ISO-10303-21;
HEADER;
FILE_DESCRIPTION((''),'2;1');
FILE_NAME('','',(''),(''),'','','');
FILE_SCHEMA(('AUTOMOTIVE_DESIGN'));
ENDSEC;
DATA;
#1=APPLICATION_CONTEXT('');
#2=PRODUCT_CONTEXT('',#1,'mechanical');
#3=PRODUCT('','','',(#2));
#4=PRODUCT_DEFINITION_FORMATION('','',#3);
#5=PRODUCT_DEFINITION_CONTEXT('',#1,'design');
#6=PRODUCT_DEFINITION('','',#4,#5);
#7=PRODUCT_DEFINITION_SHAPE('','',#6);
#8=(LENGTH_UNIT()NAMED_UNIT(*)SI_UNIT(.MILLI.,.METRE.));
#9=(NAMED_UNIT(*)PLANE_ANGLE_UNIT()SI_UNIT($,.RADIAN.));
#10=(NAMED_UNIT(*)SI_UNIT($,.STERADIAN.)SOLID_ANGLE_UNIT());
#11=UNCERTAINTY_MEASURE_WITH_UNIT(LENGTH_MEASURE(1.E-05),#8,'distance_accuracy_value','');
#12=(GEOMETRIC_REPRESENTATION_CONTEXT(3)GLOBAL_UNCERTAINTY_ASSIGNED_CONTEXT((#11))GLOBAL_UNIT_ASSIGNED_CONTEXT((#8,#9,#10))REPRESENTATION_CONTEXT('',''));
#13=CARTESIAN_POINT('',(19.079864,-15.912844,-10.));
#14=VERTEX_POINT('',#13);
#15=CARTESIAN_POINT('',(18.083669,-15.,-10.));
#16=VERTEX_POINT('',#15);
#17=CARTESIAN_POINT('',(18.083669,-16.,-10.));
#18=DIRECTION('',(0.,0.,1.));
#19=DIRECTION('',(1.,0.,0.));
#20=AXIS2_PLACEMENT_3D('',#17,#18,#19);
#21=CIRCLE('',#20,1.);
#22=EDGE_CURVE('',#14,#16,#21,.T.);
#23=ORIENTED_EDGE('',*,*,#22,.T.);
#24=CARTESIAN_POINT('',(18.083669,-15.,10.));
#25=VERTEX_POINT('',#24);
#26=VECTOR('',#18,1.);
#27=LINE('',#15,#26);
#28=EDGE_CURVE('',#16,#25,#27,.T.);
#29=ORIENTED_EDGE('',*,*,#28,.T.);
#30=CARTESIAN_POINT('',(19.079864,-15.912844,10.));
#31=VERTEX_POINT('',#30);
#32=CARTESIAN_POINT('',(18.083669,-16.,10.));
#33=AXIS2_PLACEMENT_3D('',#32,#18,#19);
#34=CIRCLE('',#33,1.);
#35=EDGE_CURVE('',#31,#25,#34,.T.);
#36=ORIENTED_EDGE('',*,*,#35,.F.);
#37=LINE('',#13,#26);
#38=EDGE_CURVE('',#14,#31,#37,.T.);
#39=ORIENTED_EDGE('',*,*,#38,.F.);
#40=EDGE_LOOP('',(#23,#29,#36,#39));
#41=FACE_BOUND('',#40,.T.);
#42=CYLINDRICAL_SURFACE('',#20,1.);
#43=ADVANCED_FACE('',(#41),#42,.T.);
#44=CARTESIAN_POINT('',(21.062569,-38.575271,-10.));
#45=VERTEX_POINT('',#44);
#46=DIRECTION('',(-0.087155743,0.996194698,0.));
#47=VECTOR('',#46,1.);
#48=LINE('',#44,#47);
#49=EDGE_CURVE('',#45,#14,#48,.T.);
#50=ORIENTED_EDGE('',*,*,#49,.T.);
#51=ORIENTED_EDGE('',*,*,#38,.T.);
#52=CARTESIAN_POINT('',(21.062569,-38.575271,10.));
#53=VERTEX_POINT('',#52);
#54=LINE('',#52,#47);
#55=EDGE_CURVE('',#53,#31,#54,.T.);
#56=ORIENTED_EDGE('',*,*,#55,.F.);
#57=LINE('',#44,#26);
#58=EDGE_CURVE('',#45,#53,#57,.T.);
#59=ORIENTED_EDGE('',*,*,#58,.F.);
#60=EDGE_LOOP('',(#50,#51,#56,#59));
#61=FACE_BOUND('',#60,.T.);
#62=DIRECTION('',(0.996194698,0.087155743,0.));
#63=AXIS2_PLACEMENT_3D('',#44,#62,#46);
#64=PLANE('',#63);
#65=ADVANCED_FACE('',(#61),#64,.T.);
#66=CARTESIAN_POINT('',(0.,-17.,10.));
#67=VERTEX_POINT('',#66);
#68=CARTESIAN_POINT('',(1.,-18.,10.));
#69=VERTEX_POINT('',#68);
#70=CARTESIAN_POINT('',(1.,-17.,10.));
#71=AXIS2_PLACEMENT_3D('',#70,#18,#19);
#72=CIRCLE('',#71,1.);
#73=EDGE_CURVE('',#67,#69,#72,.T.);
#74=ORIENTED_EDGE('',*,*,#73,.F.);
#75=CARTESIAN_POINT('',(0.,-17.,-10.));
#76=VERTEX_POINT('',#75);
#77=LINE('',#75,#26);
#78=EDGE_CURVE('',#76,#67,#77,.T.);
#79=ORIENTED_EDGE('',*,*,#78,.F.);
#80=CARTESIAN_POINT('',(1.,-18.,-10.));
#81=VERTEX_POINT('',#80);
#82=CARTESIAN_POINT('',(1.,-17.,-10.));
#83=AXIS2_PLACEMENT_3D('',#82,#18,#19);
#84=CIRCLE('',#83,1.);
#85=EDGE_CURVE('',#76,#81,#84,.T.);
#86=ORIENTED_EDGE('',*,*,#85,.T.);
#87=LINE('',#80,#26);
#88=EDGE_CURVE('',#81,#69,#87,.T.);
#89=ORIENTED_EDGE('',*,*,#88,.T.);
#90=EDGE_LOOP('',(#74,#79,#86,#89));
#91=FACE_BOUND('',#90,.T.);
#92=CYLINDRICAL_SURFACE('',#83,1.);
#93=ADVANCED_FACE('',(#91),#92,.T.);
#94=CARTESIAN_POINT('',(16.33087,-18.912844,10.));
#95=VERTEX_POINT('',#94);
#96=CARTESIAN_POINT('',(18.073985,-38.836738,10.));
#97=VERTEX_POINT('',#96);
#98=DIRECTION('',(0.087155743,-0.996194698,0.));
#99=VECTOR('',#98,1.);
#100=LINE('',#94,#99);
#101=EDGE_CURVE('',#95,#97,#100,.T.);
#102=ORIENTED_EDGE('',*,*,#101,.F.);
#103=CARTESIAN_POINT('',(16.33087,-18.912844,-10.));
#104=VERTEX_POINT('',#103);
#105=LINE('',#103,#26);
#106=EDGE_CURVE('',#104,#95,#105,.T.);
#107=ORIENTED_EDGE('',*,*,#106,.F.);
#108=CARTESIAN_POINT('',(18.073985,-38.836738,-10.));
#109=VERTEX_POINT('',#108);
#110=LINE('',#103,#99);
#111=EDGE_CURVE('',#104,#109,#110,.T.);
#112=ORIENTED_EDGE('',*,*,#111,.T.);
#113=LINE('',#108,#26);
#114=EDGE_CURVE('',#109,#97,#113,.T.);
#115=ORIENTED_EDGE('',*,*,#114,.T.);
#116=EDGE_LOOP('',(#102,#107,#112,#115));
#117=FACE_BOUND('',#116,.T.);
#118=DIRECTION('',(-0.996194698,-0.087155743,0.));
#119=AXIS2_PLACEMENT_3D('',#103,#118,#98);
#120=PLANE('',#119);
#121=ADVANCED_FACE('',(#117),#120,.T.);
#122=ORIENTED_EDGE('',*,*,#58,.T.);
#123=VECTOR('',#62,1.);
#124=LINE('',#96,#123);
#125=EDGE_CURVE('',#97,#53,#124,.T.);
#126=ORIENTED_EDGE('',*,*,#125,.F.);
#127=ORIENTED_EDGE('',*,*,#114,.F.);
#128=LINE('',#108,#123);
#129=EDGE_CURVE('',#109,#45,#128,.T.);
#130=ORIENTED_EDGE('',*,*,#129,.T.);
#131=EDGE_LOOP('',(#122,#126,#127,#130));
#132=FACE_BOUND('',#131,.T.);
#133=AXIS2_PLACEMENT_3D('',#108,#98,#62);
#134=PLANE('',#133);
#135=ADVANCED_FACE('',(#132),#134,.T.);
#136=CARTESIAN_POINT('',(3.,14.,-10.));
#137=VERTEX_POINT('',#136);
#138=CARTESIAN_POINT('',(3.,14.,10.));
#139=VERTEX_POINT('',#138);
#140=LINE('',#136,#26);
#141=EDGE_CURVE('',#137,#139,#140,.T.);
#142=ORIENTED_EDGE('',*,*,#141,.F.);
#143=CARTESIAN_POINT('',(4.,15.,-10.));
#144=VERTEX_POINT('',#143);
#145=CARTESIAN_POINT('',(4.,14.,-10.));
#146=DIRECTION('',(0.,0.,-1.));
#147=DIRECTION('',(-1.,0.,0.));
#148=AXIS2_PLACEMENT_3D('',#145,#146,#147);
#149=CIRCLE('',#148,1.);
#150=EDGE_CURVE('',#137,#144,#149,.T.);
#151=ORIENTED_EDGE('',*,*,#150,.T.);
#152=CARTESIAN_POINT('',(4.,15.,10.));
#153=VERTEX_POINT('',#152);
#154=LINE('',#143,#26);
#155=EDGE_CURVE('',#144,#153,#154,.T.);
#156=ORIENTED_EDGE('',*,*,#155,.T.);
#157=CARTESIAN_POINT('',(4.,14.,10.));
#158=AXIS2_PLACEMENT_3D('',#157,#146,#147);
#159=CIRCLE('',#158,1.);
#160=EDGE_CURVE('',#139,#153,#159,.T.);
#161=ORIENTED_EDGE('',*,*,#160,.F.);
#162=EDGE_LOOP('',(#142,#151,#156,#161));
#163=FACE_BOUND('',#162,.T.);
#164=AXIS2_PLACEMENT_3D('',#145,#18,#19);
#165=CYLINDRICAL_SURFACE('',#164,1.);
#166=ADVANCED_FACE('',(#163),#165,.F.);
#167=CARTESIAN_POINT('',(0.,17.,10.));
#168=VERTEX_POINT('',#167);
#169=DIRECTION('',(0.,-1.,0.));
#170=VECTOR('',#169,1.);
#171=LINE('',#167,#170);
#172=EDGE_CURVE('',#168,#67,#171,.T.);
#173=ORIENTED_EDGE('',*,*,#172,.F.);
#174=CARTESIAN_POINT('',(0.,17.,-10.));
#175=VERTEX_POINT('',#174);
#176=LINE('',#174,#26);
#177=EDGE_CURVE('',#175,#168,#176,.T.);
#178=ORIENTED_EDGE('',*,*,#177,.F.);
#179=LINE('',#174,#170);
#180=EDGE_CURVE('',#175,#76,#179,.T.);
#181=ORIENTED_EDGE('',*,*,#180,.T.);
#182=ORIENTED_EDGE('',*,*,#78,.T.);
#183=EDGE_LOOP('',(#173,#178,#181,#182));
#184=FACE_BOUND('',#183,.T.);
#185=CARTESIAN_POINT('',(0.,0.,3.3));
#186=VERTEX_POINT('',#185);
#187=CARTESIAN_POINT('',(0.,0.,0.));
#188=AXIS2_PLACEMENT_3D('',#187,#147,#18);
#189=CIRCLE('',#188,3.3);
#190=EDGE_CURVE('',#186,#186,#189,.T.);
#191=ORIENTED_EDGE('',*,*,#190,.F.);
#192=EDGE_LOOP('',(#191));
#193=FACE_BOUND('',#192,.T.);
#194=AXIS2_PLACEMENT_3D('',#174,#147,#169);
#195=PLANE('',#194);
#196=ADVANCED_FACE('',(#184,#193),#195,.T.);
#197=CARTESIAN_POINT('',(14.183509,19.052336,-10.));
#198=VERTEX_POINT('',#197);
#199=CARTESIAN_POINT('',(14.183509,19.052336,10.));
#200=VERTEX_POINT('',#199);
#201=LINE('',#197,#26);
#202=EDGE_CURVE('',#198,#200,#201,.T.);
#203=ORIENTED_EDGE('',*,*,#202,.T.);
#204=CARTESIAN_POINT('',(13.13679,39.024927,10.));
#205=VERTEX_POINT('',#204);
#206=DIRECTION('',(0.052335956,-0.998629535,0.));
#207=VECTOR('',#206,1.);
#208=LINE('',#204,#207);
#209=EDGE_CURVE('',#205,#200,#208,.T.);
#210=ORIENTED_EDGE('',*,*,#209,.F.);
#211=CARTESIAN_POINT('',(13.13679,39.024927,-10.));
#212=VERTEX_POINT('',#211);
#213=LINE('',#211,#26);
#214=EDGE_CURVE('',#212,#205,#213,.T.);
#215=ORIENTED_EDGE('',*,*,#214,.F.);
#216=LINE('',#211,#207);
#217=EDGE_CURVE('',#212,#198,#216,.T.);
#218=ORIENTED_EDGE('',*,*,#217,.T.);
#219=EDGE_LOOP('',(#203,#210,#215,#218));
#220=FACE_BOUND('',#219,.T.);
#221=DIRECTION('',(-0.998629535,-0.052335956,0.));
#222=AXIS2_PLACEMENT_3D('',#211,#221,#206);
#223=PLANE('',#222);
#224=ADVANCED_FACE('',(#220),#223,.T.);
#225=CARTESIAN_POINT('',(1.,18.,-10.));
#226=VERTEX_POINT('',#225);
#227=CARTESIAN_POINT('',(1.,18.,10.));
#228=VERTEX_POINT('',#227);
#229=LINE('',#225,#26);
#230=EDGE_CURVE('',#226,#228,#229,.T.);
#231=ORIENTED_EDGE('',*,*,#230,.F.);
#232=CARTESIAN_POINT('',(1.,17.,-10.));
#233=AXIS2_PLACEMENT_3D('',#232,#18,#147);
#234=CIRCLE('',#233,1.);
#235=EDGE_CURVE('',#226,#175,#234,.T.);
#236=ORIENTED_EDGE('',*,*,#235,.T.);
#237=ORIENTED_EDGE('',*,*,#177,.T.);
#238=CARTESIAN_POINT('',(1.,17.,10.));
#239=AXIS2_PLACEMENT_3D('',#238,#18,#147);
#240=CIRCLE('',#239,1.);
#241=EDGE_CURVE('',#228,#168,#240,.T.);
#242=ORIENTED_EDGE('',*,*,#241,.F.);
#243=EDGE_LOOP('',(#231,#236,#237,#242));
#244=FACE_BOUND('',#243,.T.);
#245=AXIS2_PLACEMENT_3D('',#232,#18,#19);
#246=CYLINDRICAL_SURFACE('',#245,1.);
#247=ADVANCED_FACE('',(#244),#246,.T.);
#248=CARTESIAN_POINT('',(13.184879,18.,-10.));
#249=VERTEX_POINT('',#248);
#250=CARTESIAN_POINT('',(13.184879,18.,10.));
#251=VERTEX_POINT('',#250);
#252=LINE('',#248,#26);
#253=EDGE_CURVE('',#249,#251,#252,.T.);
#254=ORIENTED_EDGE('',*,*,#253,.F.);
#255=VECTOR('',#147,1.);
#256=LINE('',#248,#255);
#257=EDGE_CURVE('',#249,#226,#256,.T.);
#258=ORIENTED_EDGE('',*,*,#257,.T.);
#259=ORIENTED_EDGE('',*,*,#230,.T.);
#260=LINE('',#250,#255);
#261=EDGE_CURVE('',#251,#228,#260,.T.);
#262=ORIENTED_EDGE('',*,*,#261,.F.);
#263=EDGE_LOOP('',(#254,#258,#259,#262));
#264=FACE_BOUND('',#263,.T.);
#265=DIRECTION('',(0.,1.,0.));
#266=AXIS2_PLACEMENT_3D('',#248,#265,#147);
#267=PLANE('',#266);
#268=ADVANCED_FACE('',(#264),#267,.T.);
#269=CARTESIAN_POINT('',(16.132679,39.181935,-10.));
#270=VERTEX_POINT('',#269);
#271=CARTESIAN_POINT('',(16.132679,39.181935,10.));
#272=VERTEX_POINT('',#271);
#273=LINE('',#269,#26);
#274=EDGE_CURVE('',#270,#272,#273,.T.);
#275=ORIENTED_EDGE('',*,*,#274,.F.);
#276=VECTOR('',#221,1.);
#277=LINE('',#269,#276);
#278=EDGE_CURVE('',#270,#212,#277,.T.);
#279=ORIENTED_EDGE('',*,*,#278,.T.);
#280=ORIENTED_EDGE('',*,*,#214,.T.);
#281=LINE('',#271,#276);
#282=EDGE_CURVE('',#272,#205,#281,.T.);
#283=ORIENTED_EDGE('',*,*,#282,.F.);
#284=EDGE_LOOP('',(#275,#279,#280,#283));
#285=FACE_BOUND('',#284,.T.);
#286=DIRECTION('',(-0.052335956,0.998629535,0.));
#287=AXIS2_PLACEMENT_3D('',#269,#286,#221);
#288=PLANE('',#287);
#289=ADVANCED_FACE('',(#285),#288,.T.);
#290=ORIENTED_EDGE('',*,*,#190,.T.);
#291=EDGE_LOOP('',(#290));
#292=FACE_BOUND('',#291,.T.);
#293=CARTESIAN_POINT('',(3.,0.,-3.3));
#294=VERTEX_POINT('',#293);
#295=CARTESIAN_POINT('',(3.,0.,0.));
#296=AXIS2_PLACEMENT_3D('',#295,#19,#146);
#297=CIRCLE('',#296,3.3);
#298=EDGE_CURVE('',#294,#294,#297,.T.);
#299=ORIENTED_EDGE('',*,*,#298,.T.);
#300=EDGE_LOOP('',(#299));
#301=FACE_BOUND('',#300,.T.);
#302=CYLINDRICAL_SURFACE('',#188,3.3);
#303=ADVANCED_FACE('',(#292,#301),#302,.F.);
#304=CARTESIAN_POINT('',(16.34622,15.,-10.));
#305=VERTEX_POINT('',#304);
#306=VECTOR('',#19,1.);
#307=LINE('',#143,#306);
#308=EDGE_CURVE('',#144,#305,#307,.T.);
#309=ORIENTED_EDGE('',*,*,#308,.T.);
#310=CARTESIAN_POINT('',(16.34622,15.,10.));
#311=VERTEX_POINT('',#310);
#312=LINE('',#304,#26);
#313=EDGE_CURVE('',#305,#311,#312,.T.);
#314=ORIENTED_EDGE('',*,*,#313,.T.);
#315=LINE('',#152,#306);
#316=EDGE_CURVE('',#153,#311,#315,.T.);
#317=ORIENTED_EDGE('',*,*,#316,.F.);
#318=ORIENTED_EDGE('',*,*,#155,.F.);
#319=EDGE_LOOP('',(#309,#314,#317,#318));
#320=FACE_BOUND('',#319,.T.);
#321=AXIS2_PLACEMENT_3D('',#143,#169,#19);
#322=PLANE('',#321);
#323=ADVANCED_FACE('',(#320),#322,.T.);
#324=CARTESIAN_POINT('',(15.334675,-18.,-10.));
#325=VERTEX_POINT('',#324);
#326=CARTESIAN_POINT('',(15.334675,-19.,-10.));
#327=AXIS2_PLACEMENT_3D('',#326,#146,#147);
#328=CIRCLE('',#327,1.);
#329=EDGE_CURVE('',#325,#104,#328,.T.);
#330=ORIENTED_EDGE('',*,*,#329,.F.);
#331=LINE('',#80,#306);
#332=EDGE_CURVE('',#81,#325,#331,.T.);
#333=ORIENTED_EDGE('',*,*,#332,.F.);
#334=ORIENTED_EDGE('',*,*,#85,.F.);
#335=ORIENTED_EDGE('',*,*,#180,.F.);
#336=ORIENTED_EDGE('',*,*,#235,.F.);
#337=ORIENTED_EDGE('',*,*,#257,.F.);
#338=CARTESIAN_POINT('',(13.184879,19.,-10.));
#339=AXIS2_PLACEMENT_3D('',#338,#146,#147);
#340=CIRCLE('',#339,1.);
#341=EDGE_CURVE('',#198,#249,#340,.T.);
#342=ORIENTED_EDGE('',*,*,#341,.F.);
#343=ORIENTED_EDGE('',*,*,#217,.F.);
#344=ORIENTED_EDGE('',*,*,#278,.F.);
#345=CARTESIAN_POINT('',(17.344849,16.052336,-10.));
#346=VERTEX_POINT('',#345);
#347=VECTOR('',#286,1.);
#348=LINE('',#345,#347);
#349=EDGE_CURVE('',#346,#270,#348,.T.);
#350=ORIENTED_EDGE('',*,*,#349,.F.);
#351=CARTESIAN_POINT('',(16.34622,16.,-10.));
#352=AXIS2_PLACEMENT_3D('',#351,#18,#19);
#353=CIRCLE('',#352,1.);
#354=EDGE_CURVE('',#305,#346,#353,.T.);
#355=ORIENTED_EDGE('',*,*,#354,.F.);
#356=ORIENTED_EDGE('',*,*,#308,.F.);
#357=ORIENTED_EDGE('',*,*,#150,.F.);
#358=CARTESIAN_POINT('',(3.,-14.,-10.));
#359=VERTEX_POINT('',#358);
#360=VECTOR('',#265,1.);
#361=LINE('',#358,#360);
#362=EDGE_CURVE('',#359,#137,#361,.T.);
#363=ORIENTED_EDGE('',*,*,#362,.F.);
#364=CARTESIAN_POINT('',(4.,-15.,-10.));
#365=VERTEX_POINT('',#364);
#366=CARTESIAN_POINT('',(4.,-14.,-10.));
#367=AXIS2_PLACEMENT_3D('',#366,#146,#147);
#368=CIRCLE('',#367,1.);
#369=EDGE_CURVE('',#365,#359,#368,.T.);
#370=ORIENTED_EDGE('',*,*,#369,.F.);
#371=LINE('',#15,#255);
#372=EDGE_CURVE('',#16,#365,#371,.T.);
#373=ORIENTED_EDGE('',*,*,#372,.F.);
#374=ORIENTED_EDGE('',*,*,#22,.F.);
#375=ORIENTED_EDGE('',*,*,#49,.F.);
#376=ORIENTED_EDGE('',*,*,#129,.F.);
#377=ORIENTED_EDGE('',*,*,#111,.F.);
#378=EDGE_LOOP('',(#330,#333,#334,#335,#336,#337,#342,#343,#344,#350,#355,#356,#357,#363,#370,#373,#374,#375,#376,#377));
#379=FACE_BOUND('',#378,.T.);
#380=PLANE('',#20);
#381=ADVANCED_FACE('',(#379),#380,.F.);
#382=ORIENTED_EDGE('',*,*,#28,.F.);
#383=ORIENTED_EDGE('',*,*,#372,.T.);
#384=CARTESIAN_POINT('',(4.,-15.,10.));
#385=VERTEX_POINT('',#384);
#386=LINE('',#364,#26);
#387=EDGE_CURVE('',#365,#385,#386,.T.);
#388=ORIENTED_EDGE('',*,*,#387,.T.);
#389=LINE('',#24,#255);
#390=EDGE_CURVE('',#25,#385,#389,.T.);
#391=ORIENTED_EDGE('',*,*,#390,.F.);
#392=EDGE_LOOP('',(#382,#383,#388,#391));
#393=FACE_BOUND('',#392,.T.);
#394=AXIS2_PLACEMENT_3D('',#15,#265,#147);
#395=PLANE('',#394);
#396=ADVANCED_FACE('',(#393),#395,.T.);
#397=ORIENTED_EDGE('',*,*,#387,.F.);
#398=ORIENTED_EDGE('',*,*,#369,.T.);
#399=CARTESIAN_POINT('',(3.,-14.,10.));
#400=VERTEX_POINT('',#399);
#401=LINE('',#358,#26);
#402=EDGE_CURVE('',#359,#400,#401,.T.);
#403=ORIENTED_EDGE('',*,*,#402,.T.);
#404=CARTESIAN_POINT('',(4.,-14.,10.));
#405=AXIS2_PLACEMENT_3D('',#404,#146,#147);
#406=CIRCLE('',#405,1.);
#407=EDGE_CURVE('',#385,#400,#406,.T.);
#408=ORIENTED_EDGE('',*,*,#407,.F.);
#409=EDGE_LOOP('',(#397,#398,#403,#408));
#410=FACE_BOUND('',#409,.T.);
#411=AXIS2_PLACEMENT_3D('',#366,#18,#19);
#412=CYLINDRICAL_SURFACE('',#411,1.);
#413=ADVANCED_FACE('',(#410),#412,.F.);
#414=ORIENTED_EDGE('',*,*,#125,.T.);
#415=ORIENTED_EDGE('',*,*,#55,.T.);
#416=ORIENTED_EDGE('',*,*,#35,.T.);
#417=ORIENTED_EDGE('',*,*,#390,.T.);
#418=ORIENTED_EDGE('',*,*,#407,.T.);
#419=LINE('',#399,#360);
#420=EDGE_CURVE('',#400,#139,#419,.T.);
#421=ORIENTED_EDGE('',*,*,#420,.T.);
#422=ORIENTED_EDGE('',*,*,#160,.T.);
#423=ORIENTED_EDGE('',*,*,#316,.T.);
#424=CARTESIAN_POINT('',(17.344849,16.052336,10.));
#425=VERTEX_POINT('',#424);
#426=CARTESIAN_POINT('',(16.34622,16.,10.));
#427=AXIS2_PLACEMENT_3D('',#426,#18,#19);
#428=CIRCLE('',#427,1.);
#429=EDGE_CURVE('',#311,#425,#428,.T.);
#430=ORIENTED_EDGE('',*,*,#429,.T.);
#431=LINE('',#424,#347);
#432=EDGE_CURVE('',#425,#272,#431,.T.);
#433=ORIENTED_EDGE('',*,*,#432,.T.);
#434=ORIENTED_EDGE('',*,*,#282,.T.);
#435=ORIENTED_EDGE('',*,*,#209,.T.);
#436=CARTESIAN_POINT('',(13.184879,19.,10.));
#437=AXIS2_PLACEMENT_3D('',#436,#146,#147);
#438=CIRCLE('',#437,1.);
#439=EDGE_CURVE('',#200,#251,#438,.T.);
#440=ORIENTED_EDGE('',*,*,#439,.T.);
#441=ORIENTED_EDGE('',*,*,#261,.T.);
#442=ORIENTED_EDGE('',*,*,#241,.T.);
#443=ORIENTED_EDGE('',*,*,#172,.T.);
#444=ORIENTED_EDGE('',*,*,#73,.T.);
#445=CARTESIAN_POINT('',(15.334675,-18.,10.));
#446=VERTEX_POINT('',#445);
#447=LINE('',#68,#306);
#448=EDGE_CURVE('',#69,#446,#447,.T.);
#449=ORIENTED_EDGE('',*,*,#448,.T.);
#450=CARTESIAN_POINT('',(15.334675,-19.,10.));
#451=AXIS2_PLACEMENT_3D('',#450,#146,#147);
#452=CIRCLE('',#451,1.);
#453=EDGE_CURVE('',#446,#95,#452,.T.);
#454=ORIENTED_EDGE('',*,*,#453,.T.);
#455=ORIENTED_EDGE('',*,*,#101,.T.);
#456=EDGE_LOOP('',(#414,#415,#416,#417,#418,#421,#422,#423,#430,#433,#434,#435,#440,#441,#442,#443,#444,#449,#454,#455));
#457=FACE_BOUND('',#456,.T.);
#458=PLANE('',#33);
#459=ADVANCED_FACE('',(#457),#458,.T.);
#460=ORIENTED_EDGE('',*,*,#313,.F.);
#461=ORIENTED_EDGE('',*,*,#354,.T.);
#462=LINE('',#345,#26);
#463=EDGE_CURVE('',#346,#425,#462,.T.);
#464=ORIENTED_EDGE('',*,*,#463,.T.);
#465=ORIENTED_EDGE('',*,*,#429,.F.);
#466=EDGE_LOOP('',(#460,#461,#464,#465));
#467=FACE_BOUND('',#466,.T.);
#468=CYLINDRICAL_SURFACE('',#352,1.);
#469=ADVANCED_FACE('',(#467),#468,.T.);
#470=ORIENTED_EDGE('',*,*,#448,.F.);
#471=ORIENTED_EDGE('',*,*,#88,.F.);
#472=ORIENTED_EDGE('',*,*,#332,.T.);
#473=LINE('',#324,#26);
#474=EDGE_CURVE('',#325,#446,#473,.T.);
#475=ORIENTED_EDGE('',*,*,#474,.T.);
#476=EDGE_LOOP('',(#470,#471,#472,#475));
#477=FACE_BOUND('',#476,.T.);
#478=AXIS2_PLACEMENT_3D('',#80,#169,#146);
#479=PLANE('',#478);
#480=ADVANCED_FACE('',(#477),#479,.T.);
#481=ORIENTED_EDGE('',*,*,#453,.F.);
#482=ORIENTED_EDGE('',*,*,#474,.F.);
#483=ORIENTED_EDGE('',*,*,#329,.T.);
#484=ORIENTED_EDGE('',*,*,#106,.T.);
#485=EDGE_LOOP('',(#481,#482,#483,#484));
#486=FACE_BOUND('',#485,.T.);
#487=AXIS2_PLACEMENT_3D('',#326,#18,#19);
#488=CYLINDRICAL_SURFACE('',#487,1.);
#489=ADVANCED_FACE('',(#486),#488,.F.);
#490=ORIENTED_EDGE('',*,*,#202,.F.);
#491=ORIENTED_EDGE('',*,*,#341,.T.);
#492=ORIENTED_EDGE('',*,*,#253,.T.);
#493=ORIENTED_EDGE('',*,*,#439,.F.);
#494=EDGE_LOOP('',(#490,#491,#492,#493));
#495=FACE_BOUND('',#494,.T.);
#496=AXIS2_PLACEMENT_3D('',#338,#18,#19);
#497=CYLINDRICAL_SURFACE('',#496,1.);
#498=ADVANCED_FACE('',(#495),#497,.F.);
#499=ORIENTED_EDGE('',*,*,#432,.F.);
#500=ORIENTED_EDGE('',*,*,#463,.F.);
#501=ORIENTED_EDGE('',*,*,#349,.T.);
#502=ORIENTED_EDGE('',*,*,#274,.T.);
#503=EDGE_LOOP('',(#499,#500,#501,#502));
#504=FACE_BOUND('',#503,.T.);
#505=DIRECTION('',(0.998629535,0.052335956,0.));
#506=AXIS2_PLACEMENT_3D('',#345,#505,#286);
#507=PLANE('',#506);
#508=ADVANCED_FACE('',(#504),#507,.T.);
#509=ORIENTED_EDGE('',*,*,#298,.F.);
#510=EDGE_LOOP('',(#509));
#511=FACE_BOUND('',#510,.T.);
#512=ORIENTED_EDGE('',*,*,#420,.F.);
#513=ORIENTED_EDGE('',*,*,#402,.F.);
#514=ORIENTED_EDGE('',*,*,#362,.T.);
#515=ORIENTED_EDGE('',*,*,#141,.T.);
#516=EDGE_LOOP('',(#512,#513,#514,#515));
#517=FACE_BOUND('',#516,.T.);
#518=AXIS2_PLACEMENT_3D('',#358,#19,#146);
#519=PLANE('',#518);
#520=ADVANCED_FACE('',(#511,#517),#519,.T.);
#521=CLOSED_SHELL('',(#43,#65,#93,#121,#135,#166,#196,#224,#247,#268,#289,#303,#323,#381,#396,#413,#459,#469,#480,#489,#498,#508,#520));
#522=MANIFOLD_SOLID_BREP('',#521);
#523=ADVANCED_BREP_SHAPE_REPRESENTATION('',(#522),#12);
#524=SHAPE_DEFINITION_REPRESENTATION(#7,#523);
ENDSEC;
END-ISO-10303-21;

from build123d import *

# Parameters (mm, degrees)
EXTRUDE_1_DEPTH      = 10
EXTRUDE_1_DEPTH_BACK = 10
HOLE_WIZARD_M61_D    = 6.6


with BuildPart() as part:
    # Эскиз1 → Бобышка-Вытянуть1 (new, two sides: drawn at the far end of the back side and taken through both)
    with BuildSketch(Plane.XY.offset(-EXTRUDE_1_DEPTH_BACK)):
        with BuildLine():
            Line((0, 17), (0, -17))
            ThreePointArc((0, -17), (0.292893219, -17.707106781), (1, -18))
            Line((1, -18), (15.334675304, -18))
            ThreePointArc((15.334675304, -18), (16.010265512, -18.262722663), (16.330870002, -18.912844257))
            Line((16.330870002, -18.912844257), (18.073984857, -38.836738219))
            Line((18.073984857, -38.836738219), (21.062568951, -38.575270991))
            Line((21.062568951, -38.575270991), (19.079863524, -15.912844257))
            ThreePointArc((19.079863524, -15.912844257), (18.759259034, -15.262722663), (18.083668826, -15))
            Line((18.083668826, -15), (4, -15))
            ThreePointArc((4, -15), (3.292893219, -14.707106781), (3, -14))
            Line((3, -14), (3, 14))
            ThreePointArc((3, 14), (3.292893219, 14.707106781), (4, 15))
            Line((4, 15), (16.346219875, 15))
            ThreePointArc((16.346219875, 15), (17.071594246, 15.311645424), (17.344849409, 16.052335956))
            Line((17.344849409, 16.052335956), (16.132678513, 39.18193452))
            Line((16.132678513, 39.18193452), (13.136789909, 39.024926651))
            Line((13.136789909, 39.024926651), (14.183509034, 19.052335956))
            ThreePointArc((14.183509034, 19.052335956), (13.91025387, 18.311645424), (13.184879499, 18))
            Line((13.184879499, 18), (1, 18))
            ThreePointArc((1, 18), (0.292893219, 17.707106781), (0, 17))
        make_face()
    extrude(amount=EXTRUDE_1_DEPTH + EXTRUDE_1_DEPTH_BACK)

    # Отверстие с зазором M61 (through all)
    with Locations(Plane(origin=(0, 0, 0), x_dir=(0, -1, 0), z_dir=(-1, 0, 0))):
        with Locations((0, 0)):
            Hole(HOLE_WIZARD_M61_D / 2)


solid = part.part
